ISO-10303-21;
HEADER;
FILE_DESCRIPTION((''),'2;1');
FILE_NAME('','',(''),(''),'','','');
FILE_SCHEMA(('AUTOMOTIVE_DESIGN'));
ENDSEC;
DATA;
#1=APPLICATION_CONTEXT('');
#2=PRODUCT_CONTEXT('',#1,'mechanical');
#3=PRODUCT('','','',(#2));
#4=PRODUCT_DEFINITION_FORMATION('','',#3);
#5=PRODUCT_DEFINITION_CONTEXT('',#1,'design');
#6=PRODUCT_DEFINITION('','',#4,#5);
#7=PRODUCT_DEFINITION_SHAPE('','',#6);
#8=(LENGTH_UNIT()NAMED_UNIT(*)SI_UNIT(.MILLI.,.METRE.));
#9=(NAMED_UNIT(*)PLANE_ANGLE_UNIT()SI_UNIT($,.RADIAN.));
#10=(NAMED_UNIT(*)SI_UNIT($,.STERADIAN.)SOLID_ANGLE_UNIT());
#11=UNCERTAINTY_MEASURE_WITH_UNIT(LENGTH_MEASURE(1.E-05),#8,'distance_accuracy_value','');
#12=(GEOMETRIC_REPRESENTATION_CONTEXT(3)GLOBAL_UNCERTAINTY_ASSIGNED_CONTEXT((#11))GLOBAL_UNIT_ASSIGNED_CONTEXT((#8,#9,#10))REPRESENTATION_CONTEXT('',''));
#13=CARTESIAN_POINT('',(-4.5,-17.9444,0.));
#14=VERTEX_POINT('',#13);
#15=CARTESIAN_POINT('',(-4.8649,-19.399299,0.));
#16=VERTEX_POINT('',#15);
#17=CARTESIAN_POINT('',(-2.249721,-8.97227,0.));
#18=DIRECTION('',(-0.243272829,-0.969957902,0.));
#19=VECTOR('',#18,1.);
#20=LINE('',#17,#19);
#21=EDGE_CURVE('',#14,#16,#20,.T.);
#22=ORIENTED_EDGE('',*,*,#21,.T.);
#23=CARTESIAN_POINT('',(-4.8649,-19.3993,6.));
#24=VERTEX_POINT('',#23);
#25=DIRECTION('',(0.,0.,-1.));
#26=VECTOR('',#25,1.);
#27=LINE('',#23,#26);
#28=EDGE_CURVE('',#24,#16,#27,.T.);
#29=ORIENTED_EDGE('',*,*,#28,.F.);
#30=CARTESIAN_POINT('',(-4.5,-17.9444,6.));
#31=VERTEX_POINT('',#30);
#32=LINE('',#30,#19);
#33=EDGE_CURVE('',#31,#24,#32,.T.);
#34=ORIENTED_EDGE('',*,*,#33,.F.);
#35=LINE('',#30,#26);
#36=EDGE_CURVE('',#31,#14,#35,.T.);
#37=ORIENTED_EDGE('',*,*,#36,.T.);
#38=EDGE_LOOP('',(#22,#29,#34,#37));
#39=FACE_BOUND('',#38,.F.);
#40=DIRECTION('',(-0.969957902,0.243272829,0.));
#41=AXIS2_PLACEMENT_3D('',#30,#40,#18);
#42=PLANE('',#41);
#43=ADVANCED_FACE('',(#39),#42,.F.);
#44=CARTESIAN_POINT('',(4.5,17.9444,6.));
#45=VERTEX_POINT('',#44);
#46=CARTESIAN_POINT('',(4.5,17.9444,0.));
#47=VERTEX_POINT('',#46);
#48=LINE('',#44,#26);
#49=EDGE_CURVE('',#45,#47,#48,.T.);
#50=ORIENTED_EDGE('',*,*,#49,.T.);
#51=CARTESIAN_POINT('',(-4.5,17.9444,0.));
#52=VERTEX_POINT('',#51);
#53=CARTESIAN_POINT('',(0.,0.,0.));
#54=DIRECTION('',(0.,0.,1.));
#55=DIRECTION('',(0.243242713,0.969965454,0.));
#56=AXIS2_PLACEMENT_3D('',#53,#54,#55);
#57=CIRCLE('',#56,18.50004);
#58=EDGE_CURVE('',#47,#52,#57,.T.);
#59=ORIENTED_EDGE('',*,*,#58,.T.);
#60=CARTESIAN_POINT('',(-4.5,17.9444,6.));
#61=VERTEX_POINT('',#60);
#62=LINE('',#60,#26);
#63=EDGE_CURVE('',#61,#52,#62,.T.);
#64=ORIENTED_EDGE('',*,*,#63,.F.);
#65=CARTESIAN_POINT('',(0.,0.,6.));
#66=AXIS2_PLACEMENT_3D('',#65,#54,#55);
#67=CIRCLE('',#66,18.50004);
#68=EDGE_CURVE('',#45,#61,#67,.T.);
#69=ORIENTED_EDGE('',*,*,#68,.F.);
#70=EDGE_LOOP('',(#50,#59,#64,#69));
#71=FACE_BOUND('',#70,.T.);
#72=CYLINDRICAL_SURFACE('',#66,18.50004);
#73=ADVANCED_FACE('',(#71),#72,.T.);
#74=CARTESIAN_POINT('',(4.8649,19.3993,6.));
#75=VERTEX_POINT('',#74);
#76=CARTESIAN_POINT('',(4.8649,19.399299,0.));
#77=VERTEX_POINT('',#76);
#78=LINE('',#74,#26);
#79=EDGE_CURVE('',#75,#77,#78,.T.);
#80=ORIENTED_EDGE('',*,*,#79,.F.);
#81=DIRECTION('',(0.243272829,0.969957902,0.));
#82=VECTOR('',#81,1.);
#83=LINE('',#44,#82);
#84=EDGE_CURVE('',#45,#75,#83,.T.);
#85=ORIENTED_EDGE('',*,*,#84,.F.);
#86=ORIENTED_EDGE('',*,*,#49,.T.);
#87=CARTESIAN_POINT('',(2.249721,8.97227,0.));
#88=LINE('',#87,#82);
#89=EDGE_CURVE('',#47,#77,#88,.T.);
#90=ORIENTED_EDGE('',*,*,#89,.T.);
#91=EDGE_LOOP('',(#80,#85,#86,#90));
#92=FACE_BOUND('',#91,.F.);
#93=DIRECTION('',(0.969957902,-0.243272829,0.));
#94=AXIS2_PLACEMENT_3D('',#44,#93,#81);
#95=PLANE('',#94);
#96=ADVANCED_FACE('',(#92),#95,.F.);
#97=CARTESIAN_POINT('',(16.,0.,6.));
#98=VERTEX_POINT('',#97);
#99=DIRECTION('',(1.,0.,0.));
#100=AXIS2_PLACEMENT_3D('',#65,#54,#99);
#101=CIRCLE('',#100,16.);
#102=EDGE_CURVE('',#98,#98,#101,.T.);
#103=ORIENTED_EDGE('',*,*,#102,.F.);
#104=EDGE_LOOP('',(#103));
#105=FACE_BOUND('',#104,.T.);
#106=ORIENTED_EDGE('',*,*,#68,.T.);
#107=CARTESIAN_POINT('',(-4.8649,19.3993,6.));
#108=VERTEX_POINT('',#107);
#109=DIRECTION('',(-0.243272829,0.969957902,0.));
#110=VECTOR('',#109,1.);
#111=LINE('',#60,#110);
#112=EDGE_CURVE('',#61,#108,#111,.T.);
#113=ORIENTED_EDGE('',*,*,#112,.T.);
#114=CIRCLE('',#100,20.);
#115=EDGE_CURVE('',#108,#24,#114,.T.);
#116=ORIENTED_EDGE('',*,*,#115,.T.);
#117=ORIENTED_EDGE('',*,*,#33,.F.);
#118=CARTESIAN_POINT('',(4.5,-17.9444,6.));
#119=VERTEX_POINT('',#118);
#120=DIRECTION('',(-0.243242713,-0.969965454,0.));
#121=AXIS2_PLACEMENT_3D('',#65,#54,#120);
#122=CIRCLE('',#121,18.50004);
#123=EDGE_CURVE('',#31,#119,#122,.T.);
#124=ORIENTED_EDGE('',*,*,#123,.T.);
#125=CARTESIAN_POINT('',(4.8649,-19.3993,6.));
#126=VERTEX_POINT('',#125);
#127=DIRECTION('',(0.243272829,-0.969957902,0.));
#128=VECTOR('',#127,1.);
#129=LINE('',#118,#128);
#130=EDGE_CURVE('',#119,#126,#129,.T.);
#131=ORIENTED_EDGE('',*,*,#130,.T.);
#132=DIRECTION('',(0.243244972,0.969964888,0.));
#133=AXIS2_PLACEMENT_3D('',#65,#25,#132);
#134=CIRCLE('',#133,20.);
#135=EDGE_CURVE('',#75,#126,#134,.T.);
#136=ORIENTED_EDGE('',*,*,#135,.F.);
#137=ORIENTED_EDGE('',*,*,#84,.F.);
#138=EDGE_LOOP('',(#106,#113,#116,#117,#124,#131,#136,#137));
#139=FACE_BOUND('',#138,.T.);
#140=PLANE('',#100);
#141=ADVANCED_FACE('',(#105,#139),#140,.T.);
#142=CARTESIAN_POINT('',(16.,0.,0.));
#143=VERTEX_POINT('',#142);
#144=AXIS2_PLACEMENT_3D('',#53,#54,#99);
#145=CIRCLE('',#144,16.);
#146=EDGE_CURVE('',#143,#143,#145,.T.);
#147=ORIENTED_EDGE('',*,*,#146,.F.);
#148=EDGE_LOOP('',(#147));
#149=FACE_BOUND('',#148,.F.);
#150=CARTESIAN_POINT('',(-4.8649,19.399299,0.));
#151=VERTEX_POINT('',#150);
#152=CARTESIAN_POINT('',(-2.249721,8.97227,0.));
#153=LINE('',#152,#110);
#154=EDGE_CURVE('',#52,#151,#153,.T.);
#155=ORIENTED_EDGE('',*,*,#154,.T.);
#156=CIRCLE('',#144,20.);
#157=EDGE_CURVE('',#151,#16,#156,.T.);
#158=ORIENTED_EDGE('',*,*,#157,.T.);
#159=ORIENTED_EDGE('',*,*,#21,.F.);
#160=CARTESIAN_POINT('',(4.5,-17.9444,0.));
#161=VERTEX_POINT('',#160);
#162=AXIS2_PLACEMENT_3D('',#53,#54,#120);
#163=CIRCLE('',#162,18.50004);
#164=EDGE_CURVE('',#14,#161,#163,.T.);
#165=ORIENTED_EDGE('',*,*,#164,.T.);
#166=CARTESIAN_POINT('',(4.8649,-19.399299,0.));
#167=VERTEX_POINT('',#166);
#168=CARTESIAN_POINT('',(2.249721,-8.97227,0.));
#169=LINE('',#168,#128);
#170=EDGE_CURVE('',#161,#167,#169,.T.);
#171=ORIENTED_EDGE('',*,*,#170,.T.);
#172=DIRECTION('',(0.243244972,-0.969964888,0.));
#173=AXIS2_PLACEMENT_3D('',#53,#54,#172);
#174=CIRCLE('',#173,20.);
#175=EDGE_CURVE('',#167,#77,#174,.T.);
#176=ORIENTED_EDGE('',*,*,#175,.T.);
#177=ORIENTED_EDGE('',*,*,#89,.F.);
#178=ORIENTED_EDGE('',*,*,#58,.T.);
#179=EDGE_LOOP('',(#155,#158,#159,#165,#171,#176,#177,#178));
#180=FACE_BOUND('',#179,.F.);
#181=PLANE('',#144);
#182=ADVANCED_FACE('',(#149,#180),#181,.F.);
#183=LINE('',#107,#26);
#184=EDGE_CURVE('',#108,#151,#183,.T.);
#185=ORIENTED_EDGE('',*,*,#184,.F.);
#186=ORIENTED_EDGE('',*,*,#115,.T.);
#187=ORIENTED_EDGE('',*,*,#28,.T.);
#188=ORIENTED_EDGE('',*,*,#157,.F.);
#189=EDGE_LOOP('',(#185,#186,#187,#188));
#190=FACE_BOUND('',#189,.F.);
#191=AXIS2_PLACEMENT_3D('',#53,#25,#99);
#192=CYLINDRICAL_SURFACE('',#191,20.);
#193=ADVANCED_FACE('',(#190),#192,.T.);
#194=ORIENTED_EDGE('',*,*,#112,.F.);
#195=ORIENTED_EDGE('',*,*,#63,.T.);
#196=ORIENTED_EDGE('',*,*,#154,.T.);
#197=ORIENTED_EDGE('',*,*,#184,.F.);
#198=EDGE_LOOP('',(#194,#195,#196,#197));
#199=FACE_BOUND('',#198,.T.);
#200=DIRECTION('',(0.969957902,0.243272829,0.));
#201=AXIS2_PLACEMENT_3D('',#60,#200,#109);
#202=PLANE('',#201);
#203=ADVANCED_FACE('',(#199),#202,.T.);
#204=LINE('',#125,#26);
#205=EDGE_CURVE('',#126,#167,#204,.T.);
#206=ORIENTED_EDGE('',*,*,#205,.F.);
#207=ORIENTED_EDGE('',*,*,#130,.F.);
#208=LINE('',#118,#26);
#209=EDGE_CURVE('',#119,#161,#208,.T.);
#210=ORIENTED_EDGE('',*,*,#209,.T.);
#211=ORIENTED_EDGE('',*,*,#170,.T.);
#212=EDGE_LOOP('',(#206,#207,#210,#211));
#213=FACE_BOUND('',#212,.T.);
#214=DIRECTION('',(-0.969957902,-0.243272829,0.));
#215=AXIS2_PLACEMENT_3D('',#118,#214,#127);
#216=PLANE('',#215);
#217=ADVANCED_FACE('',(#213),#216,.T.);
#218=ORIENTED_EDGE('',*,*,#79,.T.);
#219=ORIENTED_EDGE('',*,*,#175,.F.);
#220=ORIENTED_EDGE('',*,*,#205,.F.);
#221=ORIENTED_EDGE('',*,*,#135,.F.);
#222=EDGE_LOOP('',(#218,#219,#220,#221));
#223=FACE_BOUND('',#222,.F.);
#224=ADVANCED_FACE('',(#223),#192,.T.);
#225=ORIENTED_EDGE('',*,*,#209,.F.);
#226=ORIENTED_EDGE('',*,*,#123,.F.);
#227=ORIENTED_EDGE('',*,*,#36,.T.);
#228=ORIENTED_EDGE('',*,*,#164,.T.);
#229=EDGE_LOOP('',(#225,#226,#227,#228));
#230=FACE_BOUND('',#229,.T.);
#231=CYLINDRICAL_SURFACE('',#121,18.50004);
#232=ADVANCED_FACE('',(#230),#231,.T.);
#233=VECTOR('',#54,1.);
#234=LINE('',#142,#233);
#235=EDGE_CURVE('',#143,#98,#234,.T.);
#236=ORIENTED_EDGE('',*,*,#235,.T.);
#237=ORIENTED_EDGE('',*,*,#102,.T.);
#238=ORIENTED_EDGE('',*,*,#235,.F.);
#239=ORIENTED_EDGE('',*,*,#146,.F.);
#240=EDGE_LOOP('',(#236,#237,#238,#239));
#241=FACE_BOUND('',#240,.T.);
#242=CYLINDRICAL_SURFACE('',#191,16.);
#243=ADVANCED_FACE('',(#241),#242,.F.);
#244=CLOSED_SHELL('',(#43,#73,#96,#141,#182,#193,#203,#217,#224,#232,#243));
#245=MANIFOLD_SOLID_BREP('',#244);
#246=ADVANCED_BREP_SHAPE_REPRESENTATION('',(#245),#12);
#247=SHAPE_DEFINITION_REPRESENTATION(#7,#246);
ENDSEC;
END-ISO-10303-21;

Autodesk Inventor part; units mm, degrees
ref_plane "YZ Plane" through (0, 0, 0) normal (1, 0, 0) x (0, 1, 0)
ref_plane "XZ Plane" through (0, 0, 0) normal (0, 1, 0) x (-1, 0, 0)
ref_plane "XY Plane" through (0, 0, 0) normal (0, 0, 1) x (1, 0, 0)
sketch "Sketch1" plane through (0, 0, 0) normal (0, 0, 1) x (1, 0, 0)
  circle A0 centre (0, 0) radius 16
  circle A1 centre (0, 0) radius 20
  dimension "d0" = 32
  dimension "d1" = 40
extrude "Extrusion1" add sketch "Sketch1" along normal blind 6
sketch "Sketch2" plane through (0, 0, 6) normal (0, 0, 1) x (1, 0, 0)
  line L0 (-4.3061, 18.5) -> (4.6939, 18.5) construction
  line L1 (-4.5, 20) -> (4.5, 20) construction
  circle A0 centre (0, 0) radius 20 construction
  circle A1 centre (0, 0) radius 20 projected
  arc A2 (4.8649, 19.3993) -> (-4.8649, 19.3993) centre (0, 0) ccw
  arc A3 (4.5, 17.9444) -> (-4.5, 17.9444) centre (0, 0) ccw
  line L2 (4.5, 17.9444) -> (4.8649, 19.3993)
  line L3 (-4.5, 17.9444) -> (-4.8649, 19.3993)
  line L4 (-4.8649, 19.3993) -> (0, 0) construction
  line L5 (4.8649, 19.3993) -> (0, 0) construction
  circle A4 centre (0, 0) radius 16 construction
  line L6 (-16, 0) -> (16, 0) construction
  arc A5 (-4.8649, -19.3993) -> (4.8649, -19.3993) centre (0, 0) ccw
  arc A6 (-4.5, -17.9444) -> (4.5, -17.9444) centre (0, 0) ccw
  line L7 (4.5, -17.9444) -> (4.8649, -19.3993)
  line L8 (-4.5, -17.9444) -> (-4.8649, -19.3993)
  point P0 (0, 20)
  point P1 (0, -20)
  dimension "d4" = 9
  dimension "d5" = 1.5
extrude "Extrusion2" cut sketch "Sketch2" against normal through all contours L2 A3 L3 A1 | A1 L8 A6 L7
equation "\"d1\" = BattECOD"
equation "\"d5\" = GripLength"
equation "\"BattECOD\" = 40"
equation "\"GripLength\" = 1.5"
properties part number "Battery Tube Collar"
